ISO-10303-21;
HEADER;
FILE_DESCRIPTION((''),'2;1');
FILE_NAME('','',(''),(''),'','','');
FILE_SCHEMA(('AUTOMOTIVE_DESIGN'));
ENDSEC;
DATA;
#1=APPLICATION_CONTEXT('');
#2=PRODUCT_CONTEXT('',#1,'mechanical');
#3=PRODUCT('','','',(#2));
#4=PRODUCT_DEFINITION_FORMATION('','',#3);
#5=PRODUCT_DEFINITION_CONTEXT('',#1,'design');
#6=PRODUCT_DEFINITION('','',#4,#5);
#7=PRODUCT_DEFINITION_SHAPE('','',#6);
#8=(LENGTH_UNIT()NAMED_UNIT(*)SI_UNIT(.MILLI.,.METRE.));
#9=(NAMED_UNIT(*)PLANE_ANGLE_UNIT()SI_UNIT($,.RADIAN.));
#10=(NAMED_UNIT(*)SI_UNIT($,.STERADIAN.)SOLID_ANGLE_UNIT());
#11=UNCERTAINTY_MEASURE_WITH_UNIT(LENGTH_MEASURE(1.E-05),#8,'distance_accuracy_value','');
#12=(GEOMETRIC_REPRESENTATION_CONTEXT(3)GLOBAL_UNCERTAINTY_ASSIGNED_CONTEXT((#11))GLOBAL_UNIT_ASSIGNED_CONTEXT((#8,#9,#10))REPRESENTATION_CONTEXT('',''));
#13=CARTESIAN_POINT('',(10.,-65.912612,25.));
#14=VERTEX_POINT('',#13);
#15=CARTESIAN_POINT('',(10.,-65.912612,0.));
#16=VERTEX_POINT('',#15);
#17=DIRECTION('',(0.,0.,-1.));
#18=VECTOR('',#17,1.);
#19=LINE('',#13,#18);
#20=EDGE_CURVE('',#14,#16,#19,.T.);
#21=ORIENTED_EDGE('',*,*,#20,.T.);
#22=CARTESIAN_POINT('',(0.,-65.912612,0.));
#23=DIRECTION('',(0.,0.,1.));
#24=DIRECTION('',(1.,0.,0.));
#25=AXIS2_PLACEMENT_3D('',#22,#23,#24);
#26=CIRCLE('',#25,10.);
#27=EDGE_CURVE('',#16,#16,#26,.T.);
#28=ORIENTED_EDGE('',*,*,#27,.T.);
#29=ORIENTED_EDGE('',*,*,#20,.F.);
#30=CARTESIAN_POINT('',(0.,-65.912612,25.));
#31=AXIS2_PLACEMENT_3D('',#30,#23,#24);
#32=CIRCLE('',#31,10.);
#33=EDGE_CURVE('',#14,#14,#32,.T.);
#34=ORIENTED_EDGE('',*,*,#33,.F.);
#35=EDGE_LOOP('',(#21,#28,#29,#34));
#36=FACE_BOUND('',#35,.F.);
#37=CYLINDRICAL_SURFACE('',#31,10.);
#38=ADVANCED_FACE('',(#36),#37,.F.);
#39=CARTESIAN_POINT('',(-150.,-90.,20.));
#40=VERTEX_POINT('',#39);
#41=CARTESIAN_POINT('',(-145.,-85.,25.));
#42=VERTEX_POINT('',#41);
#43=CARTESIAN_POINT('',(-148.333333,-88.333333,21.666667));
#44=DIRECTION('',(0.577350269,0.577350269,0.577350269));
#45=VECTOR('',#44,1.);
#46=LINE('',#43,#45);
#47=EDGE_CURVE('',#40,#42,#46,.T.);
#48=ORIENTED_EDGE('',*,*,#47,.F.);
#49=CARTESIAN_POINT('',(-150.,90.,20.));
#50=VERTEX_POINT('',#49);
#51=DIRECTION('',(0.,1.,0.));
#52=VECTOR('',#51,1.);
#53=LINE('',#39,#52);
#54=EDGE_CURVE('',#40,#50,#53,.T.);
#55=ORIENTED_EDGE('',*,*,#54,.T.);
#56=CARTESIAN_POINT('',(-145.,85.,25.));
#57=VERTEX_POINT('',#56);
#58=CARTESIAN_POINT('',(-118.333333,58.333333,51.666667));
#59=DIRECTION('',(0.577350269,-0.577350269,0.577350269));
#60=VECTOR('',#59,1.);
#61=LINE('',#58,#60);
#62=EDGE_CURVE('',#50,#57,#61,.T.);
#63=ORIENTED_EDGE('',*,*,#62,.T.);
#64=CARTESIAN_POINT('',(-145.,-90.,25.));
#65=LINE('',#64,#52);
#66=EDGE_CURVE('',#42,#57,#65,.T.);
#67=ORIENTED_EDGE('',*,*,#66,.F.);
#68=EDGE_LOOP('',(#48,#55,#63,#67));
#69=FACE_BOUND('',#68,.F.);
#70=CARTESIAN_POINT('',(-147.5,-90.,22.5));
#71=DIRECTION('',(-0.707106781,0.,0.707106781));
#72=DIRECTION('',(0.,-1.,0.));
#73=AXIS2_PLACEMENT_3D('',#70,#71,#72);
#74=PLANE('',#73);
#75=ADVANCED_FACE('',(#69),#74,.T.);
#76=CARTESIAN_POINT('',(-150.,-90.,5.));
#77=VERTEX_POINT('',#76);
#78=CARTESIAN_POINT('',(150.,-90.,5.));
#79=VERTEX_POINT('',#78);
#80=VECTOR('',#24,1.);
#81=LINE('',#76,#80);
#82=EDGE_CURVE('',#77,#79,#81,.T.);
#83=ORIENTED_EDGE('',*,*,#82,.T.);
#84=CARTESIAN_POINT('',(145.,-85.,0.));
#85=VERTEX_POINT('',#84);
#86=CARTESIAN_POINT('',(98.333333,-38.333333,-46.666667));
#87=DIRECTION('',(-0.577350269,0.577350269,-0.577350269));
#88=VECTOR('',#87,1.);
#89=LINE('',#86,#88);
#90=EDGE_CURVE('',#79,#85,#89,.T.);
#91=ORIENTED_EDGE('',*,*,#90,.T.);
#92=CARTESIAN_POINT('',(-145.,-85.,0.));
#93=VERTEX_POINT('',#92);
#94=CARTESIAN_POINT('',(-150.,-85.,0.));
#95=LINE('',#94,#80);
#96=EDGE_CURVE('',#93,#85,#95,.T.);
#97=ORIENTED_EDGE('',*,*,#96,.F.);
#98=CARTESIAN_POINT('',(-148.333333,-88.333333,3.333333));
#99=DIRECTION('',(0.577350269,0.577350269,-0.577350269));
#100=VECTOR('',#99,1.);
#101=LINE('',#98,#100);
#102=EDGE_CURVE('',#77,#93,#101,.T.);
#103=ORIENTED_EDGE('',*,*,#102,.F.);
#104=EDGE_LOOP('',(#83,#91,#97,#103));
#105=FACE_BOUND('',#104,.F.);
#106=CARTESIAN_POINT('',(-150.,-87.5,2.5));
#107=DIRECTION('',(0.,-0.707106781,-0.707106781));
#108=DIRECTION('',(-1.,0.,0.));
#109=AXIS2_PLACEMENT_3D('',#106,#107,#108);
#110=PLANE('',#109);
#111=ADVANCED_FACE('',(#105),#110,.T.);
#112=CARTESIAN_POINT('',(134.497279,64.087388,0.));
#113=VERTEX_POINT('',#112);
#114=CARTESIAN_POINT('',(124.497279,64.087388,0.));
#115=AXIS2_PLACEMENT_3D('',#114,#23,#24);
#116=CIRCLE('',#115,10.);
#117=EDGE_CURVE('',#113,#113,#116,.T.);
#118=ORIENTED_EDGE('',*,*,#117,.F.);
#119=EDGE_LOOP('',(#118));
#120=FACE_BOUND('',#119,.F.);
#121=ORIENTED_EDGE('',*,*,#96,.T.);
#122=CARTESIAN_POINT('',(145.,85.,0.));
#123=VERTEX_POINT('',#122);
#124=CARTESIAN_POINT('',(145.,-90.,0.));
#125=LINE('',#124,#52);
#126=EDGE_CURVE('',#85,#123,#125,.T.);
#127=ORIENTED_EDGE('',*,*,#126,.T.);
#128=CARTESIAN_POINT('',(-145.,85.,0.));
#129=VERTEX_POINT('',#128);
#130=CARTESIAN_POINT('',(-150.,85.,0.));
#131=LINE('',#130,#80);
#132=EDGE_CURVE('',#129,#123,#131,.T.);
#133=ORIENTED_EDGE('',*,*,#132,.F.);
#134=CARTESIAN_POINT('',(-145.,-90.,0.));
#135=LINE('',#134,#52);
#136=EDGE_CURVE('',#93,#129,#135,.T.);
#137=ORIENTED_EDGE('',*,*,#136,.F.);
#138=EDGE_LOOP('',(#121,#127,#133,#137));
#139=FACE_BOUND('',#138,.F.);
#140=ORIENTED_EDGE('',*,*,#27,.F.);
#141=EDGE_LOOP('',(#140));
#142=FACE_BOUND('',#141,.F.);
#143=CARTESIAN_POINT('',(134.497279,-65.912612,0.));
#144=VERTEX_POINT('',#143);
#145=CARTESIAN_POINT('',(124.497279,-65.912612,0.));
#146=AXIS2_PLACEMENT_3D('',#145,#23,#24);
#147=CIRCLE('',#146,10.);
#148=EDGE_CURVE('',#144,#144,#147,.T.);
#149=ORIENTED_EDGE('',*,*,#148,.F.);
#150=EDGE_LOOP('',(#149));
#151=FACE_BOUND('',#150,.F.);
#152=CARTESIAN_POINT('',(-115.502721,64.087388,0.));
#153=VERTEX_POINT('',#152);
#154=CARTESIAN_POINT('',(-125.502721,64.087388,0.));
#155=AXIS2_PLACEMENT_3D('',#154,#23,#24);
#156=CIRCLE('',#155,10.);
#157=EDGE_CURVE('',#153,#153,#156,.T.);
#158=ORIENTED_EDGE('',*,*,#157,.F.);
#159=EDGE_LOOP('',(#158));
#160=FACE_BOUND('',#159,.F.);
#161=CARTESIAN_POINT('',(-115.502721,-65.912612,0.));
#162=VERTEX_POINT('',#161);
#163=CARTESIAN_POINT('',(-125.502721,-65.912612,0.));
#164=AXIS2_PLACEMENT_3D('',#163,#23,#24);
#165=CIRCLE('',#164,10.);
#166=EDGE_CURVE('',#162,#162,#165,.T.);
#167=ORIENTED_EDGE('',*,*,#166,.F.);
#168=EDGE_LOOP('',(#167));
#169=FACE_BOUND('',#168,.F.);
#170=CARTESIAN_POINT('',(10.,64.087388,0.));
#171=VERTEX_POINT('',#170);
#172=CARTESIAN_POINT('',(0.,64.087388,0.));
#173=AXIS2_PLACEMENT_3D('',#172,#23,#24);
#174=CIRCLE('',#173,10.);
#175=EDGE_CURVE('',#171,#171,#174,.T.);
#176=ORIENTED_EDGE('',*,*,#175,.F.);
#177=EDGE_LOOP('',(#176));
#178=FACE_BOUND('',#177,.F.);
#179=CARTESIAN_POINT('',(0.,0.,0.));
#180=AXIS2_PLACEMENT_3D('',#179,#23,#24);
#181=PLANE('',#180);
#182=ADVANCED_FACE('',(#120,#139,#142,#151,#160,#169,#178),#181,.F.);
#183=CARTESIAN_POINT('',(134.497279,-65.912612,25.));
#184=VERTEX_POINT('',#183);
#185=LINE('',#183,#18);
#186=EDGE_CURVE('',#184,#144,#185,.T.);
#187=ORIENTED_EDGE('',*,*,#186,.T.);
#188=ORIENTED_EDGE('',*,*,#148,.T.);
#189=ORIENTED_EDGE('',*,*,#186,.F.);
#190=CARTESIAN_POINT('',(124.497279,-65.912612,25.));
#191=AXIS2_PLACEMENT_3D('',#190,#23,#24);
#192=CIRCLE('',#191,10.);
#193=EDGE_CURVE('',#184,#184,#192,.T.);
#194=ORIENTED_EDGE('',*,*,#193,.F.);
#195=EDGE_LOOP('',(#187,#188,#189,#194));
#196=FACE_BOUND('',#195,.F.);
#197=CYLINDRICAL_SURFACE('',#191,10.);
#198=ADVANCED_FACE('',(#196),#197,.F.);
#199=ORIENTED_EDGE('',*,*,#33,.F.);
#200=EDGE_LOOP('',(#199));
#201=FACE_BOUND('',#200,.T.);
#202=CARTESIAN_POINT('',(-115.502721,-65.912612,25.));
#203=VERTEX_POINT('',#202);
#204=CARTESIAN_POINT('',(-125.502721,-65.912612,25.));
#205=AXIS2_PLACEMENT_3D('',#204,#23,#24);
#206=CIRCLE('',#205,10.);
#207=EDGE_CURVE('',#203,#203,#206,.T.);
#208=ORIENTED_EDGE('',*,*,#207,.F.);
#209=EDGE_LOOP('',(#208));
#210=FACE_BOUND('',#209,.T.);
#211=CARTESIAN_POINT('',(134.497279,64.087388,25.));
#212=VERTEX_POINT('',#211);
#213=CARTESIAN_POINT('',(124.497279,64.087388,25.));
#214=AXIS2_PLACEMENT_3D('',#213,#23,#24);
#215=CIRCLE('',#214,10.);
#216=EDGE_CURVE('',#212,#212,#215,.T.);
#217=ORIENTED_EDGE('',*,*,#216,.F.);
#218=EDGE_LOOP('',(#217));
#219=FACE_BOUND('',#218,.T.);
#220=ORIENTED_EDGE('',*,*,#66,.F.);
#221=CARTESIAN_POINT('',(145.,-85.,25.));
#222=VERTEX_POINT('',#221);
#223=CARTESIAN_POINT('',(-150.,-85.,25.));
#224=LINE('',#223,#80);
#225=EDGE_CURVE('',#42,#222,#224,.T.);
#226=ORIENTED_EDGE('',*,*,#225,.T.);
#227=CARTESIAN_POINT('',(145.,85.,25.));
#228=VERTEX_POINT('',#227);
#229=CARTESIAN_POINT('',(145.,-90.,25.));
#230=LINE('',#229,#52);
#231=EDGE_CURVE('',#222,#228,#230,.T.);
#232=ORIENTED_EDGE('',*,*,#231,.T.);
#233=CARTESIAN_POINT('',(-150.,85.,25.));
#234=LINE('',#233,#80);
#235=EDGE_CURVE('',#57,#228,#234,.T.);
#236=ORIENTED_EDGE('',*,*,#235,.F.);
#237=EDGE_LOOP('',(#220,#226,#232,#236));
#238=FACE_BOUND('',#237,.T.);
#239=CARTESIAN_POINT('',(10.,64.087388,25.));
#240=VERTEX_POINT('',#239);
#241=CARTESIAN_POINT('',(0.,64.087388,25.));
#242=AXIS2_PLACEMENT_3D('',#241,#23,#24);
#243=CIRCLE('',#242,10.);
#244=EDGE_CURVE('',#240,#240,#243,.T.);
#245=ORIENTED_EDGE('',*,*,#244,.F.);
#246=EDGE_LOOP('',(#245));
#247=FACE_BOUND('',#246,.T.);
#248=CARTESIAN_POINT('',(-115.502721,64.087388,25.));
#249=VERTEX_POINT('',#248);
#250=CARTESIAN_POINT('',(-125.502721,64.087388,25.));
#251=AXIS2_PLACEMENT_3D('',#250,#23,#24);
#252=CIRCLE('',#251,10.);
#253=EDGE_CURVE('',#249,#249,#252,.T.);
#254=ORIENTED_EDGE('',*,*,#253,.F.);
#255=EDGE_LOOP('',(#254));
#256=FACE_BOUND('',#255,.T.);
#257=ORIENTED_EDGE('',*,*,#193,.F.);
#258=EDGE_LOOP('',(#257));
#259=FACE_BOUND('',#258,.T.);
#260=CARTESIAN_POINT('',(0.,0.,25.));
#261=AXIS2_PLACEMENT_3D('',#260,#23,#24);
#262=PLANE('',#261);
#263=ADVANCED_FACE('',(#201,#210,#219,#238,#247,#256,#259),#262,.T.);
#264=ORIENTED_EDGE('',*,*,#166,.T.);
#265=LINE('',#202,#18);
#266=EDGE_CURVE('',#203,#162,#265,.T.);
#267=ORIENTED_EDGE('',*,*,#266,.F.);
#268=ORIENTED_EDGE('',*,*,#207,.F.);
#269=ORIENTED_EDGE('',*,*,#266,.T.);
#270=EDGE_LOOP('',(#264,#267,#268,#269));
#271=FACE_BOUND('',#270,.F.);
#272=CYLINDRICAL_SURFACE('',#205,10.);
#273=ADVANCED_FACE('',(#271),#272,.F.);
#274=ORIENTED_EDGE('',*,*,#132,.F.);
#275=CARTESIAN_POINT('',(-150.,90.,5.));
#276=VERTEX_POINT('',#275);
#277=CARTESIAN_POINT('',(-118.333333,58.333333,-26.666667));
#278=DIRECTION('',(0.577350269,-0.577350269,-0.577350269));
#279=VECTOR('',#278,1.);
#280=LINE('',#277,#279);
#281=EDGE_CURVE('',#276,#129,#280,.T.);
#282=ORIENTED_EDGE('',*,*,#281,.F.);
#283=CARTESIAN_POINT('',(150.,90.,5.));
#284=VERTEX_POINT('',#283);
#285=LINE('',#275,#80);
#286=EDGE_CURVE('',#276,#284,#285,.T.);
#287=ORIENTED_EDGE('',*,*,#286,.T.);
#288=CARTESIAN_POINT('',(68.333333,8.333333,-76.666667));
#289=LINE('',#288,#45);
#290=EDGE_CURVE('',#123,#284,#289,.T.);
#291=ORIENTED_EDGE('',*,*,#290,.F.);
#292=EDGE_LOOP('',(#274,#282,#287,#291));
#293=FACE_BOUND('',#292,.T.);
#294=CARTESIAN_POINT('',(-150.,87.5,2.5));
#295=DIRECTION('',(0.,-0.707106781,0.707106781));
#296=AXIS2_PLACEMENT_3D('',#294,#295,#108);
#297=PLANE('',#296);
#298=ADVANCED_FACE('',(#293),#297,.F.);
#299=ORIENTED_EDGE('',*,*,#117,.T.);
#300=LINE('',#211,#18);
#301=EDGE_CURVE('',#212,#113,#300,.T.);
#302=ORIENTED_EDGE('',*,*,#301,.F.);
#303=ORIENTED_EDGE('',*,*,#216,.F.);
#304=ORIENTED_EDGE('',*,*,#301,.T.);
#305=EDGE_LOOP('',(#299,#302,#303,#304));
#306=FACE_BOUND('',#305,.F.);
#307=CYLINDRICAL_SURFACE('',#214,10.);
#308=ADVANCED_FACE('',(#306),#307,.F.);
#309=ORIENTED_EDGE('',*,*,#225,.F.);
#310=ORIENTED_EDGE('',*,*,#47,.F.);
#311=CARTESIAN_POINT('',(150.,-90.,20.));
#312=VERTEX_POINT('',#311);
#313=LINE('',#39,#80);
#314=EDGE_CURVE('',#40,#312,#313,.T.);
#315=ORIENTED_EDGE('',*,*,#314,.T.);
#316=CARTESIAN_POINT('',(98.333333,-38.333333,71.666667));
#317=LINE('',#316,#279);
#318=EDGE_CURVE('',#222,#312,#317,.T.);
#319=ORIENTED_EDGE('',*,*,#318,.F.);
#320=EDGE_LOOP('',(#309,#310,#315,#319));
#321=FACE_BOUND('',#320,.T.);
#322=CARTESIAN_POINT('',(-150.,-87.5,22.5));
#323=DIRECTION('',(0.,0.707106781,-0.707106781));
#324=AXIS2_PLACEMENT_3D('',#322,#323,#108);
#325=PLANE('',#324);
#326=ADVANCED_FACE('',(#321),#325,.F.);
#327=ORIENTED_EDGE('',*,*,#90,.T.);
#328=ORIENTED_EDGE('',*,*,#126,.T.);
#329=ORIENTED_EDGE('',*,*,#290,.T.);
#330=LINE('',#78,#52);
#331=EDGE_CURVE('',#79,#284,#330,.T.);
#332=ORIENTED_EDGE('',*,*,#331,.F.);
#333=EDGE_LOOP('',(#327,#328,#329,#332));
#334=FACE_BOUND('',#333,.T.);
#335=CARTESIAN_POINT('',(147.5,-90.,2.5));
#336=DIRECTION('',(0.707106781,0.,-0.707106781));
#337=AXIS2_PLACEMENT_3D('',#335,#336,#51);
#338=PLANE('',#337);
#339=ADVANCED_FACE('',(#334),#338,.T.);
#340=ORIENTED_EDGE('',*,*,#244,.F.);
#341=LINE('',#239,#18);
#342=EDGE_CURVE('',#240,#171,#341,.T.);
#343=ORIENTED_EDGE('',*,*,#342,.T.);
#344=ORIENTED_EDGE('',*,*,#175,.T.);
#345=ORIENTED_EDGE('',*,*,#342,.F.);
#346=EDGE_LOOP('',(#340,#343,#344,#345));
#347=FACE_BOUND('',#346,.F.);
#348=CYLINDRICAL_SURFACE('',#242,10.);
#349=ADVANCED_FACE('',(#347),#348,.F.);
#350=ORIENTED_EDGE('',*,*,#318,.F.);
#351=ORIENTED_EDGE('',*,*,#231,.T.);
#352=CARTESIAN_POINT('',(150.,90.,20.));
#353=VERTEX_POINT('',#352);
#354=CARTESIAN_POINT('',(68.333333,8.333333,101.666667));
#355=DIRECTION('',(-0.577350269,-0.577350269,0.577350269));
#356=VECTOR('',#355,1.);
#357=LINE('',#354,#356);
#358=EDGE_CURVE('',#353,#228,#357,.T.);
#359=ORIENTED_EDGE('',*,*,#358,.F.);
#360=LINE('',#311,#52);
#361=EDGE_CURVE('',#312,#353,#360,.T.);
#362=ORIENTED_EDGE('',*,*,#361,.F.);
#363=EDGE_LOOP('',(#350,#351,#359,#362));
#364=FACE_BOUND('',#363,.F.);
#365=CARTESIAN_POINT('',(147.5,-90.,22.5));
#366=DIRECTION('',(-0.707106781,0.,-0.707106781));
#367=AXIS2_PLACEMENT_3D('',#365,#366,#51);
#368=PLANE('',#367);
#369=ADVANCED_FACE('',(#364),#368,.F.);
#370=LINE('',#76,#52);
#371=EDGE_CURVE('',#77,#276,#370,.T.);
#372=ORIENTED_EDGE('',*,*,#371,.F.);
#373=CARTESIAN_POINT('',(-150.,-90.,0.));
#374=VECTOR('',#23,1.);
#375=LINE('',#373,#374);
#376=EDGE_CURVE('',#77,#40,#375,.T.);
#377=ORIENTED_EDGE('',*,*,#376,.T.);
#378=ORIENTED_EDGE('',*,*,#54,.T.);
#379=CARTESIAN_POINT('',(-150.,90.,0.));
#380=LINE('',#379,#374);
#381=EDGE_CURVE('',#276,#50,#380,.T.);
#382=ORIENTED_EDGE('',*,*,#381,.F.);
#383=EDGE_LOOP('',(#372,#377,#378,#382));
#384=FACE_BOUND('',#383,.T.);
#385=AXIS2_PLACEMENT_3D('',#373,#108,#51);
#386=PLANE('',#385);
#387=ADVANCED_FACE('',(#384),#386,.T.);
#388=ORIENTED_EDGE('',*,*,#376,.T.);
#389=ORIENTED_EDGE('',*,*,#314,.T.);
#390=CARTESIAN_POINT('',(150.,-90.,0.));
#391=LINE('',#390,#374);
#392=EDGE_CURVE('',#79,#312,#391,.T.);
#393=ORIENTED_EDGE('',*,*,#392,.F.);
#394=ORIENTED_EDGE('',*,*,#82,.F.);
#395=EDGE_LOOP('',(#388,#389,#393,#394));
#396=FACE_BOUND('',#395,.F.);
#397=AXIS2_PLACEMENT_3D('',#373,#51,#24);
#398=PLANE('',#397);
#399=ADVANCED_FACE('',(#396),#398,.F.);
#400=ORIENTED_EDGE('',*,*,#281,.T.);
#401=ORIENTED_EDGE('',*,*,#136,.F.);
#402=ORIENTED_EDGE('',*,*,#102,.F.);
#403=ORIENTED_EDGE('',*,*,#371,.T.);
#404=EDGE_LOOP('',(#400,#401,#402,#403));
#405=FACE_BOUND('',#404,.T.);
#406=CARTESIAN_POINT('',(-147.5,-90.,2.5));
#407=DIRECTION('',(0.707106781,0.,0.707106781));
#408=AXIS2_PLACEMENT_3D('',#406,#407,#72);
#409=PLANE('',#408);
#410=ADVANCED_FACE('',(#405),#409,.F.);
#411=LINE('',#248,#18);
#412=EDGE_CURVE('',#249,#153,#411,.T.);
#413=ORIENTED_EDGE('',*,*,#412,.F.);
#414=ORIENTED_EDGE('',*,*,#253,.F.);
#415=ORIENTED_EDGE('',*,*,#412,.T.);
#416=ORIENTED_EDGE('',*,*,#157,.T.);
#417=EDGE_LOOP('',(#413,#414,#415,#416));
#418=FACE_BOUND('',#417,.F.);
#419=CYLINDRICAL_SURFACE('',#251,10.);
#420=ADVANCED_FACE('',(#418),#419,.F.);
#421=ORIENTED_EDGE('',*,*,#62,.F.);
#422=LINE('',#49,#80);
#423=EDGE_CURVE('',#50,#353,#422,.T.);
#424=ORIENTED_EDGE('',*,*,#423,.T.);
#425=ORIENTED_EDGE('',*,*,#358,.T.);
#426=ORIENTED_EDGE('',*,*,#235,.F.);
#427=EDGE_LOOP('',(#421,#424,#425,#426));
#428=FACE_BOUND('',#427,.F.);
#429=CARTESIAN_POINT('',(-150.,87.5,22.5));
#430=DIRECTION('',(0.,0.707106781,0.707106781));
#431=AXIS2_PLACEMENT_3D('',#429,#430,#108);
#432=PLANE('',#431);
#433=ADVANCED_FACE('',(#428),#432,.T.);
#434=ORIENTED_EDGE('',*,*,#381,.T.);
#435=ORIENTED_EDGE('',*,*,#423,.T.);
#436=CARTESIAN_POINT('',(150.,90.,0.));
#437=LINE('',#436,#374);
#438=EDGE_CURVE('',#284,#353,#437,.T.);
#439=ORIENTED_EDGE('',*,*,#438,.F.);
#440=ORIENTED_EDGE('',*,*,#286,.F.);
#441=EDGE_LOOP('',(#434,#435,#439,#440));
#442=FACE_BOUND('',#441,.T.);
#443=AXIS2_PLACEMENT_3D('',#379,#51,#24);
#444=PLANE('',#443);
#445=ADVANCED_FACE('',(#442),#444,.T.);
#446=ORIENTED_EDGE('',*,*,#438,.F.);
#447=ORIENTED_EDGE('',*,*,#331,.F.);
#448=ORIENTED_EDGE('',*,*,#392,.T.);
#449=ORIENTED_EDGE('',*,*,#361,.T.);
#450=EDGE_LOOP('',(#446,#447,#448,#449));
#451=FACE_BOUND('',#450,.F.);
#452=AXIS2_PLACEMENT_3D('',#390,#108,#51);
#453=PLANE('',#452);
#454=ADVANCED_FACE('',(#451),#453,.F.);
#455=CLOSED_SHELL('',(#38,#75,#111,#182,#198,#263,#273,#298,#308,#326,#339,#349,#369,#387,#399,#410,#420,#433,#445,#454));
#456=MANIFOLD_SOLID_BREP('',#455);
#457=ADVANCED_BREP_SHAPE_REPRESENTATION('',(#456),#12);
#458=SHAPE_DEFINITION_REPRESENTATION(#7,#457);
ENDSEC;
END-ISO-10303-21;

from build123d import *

# Parameters (mm, degrees)
F0_W     = 300
F0_H     = 180
F1_DEPTH = 25
F2_R     = 10
F3_DEPTH = 25.001
F4_SIZE  = 5


with BuildPart() as f1:
    # F0 (on Top) → F1 (new body)
    with BuildSketch(Plane.XY):
        Rectangle(F0_W, F0_H)
    extrude(amount=F1_DEPTH)

    # F2 (on face) → F3 (cut, through all)
    with BuildSketch(Plane.XY.offset(25)):
        with Locations((0, 64.087388)):
            Circle(F2_R)
        with Locations((-125.502721, 64.087388)):
            Circle(F2_R)
        with Locations((-125.502721, -65.912612)):
            Circle(F2_R)
        with Locations((0, -65.912612)):
            Circle(F2_R)
        with Locations((124.497279, -65.912612)):
            Circle(F2_R)
        with Locations((124.497279, 64.087388)):
            Circle(F2_R)
    extrude(amount=-F3_DEPTH, mode=Mode.SUBTRACT)

    # F4
    f4_edges = [f1.edges().sort_by_distance(p)[0] for p in [
        (0, 90, 25),
        (150, 0, 25),
        (0, -90, 25),
        (-150, 0, 25),
        (0, -90, 0),
        (150, 0, 0),
        (0, 90, 0),
        (-150, 0, 0),
    ]]
    chamfer(f4_edges, length=F4_SIZE)


solid = f1.part
